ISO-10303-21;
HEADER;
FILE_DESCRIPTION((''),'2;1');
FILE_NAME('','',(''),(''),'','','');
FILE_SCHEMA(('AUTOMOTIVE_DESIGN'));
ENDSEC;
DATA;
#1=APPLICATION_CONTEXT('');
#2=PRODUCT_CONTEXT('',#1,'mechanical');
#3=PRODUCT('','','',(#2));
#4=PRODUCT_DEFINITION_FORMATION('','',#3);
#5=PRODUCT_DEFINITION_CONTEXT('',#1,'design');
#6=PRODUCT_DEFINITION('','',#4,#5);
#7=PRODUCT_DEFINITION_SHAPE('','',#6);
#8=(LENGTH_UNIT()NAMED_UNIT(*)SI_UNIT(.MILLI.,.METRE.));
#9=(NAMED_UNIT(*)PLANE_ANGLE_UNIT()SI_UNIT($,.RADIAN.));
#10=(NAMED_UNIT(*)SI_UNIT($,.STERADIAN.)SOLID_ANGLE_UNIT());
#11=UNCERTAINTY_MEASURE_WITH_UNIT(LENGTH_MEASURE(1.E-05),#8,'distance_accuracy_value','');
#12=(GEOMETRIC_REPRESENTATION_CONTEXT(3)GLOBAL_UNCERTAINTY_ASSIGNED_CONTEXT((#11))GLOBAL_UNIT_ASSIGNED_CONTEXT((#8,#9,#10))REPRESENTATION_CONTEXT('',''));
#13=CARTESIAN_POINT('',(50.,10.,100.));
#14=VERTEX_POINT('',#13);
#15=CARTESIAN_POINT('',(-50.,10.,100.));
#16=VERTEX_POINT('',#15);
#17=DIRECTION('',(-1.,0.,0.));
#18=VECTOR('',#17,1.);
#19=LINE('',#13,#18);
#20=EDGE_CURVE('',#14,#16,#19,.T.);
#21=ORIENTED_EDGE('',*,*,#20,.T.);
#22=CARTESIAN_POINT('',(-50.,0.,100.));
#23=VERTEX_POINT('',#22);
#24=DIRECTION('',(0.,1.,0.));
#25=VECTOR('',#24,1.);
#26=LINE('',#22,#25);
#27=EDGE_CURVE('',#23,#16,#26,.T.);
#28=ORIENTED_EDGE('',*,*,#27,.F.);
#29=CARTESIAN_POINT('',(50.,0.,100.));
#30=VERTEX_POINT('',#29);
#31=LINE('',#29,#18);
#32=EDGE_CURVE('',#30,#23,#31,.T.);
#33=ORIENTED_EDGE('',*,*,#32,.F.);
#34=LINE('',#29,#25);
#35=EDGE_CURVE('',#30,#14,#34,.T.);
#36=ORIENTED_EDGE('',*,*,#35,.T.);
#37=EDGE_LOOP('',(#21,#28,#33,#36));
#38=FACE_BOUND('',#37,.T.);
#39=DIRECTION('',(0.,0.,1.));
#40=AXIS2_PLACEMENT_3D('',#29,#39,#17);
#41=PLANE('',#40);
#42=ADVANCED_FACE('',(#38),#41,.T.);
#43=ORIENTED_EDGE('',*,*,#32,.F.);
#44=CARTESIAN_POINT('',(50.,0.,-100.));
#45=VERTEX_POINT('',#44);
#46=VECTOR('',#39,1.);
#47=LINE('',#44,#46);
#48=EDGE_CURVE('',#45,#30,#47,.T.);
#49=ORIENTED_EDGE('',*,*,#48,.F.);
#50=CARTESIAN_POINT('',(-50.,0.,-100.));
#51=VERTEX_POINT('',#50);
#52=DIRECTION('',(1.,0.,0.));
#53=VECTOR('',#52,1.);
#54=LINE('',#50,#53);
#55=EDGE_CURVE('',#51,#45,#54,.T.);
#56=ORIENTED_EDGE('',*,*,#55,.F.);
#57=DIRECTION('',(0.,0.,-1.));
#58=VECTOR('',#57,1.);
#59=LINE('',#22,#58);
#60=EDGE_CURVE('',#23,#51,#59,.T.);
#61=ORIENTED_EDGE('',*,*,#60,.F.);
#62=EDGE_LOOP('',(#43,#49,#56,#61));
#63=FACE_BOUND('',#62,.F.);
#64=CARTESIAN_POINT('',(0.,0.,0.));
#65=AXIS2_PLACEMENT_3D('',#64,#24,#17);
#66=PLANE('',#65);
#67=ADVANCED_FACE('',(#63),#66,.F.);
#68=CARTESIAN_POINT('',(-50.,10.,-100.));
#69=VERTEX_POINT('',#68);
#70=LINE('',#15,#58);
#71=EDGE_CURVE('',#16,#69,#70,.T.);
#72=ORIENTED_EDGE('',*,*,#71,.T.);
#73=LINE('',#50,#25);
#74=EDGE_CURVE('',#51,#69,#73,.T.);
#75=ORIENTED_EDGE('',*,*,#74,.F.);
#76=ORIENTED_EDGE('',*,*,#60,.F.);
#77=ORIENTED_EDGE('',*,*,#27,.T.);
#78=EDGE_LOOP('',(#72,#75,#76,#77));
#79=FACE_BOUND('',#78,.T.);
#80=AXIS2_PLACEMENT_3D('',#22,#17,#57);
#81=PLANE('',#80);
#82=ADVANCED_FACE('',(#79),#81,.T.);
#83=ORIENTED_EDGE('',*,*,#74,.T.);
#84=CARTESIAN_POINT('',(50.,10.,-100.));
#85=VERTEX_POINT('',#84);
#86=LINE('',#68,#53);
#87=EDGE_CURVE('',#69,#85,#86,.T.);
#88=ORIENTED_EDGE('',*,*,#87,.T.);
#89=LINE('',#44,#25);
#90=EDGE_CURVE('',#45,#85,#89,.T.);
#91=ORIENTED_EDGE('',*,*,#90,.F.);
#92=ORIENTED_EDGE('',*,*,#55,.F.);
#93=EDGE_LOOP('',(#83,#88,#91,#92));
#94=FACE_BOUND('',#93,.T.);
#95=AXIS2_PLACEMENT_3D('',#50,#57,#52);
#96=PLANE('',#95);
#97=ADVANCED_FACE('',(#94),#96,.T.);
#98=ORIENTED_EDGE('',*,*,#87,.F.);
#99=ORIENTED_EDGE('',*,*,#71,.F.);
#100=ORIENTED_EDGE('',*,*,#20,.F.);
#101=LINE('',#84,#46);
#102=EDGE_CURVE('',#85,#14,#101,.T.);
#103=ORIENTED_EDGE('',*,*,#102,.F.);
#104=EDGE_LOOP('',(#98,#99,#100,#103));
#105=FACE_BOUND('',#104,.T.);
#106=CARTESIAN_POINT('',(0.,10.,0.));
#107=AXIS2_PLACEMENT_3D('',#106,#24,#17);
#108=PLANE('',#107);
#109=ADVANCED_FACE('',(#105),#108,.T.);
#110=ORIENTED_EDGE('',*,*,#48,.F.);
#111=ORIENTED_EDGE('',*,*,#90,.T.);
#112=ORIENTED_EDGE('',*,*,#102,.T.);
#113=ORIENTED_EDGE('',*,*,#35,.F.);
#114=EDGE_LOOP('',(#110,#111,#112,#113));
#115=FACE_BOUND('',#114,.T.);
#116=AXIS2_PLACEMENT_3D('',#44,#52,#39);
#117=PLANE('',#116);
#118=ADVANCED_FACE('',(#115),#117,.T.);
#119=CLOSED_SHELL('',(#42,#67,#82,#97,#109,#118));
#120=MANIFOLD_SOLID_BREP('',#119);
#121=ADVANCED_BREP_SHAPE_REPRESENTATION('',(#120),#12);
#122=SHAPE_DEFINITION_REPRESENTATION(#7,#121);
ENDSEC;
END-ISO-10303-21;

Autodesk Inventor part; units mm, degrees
ref_plane "YZ Plane" through (0, 0, 0) normal (1, 0, 0) x (0, 1, 0)
ref_plane "XZ Plane" through (0, 0, 0) normal (0, 1, 0) x (-1, 0, 0)
ref_plane "XY Plane" through (0, 0, 0) normal (0, 0, 1) x (1, 0, 0)
sketch "Sketch1" plane through (0, 0, 0) normal (0, 1, 0) x (-1, 0, 0)
  line L0 (-50, 100) -> (50, 100)
  line L1 (50, 100) -> (50, -100)
  line L2 (50, -100) -> (-50, -100)
  line L3 (-50, -100) -> (-50, 100)
  line L4 (-50, 100) -> (50, -100) construction
  line L5 (50, 100) -> (-50, -100) construction
  point P0 (0, 0)
  dimension "d0" = 100
  dimension "d1" = 200
extrude "Extrusion1" add sketch "Sketch1" along normal blind 10
properties part number "ceilplate"
